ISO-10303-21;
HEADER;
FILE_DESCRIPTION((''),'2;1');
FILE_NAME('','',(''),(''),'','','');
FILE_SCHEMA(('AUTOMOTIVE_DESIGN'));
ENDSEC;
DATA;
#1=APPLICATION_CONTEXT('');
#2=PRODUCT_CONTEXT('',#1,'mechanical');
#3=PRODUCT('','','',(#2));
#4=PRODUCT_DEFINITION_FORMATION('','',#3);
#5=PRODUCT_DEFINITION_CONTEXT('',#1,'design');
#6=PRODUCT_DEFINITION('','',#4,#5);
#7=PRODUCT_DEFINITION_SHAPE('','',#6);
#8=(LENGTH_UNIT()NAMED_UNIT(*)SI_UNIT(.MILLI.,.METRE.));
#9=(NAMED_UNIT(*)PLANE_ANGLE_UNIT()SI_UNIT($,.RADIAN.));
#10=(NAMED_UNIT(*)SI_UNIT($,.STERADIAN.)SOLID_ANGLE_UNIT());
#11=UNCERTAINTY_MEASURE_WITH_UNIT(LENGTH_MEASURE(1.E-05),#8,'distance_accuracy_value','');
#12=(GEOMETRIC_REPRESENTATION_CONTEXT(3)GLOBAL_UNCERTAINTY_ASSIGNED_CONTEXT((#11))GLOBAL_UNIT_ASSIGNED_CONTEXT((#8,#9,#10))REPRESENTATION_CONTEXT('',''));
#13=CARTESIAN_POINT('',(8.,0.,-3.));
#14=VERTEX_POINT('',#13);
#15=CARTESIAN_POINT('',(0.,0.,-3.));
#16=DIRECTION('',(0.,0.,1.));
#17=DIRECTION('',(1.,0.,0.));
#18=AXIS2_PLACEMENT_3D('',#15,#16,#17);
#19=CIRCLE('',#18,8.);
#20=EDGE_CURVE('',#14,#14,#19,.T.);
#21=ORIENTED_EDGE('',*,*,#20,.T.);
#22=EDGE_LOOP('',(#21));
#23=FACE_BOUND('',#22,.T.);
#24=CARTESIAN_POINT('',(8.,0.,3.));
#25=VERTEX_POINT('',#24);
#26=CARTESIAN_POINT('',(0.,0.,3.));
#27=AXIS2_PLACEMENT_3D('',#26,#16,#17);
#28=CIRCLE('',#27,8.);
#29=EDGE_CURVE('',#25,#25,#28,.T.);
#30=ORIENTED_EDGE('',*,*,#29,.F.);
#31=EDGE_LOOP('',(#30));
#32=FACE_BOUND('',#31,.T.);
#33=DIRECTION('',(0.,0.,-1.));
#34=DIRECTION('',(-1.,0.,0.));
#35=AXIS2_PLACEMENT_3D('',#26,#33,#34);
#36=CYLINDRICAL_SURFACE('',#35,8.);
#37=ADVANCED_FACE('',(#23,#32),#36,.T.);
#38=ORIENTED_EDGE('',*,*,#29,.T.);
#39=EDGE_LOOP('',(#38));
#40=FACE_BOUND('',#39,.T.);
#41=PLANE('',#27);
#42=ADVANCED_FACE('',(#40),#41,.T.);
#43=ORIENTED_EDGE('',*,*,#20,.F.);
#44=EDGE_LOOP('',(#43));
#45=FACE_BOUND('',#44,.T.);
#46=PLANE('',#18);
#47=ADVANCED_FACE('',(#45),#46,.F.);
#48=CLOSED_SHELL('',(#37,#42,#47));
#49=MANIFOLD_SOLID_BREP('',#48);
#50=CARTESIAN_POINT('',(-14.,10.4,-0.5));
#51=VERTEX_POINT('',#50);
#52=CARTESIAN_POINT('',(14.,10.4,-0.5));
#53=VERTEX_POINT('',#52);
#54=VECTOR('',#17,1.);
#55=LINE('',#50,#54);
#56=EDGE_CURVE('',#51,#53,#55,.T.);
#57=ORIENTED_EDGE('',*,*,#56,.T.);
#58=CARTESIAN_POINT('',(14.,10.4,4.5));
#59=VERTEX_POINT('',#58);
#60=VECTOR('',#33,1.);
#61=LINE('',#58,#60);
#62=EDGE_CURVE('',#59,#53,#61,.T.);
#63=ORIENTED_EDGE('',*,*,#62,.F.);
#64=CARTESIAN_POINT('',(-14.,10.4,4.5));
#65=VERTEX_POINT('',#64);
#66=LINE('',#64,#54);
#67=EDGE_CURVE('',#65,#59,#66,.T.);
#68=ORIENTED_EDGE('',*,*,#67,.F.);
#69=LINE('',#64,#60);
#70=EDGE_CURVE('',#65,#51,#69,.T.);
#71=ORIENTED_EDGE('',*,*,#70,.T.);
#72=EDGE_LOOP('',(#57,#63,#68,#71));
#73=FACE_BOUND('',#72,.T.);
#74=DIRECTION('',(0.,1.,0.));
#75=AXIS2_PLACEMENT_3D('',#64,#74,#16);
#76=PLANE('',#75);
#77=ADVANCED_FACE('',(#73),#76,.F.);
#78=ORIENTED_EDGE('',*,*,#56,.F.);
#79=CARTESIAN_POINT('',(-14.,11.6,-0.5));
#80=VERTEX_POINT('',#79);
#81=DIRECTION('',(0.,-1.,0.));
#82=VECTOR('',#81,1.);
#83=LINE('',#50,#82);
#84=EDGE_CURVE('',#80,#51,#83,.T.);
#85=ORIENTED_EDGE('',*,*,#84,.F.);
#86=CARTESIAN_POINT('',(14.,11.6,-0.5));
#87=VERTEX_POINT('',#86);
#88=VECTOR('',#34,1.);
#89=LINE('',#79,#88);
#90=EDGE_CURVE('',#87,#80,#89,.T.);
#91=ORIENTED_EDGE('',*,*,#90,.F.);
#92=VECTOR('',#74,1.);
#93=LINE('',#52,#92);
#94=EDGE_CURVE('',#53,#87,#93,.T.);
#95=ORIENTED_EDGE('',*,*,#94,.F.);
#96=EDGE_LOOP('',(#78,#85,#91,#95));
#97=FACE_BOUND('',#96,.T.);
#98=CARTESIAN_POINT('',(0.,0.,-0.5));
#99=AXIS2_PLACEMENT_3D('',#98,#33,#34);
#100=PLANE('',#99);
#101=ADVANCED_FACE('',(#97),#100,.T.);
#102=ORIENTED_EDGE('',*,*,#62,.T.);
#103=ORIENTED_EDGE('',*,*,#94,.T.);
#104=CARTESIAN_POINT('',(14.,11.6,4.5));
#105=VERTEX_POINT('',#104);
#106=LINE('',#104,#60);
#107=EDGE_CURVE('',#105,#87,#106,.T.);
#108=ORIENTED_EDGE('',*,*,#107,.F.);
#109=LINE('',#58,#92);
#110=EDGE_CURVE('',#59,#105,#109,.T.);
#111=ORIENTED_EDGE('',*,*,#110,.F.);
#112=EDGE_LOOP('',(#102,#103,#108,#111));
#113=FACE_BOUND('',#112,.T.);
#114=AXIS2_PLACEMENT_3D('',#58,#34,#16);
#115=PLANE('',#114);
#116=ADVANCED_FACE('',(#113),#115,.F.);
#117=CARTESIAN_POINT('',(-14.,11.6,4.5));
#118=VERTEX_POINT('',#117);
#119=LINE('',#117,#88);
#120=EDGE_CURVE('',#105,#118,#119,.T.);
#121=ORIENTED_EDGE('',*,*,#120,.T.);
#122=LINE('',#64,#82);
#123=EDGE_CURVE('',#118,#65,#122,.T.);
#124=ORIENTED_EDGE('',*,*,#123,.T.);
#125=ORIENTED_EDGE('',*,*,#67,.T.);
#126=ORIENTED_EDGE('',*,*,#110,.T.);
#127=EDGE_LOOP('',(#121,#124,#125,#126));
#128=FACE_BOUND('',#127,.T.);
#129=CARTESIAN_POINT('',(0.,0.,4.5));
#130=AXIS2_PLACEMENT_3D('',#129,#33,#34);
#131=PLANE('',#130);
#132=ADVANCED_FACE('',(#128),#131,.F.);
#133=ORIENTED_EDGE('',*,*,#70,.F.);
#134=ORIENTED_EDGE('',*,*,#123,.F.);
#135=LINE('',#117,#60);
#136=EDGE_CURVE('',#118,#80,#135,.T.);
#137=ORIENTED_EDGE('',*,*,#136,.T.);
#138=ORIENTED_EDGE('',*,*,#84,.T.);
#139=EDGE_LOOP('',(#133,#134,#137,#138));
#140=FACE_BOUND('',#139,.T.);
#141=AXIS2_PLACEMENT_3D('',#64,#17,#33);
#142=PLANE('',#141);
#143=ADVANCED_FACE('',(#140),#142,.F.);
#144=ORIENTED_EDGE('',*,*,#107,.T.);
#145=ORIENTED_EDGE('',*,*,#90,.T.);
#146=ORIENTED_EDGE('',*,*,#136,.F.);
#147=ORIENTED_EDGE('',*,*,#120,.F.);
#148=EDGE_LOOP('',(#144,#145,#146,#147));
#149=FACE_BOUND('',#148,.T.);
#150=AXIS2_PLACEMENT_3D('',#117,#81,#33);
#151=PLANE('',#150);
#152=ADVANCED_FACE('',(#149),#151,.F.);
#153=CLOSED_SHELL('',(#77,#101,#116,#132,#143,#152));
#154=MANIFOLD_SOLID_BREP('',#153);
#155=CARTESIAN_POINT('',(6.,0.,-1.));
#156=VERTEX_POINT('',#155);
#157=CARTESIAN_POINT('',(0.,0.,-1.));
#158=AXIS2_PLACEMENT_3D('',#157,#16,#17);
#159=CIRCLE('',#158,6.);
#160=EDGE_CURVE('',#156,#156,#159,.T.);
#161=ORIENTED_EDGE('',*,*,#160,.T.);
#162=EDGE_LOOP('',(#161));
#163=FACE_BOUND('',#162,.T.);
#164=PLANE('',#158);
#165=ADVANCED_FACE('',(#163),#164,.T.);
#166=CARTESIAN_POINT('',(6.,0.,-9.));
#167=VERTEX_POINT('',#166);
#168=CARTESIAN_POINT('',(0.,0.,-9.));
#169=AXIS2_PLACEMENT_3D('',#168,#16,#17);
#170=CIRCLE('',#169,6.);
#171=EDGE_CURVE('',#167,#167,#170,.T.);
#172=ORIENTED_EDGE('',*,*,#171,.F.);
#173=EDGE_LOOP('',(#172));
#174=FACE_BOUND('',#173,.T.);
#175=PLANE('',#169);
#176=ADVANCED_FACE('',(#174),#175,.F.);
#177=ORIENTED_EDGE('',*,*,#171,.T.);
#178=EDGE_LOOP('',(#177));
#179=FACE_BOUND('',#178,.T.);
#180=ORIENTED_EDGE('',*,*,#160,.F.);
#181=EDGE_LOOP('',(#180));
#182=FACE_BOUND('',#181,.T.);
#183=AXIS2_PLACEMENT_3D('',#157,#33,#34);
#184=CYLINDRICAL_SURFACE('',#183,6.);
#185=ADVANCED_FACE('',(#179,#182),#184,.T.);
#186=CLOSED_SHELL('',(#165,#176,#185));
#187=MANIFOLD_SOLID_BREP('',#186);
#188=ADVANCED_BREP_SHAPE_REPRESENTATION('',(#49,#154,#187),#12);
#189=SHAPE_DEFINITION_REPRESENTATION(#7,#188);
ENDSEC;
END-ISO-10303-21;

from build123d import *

# Parameters (mm, degrees)
TOP_START                                  = -3
SKETCH_1_R                                 = 8
TOP_WAKE_BUTTON_CAP_DIA_16_MM_DEPTH        = 6
BUTTON_START                               = -9
SKETCH_2_R                                 = 6
BUTTON_THREADED_BODY_HOLE_MARKER_DIA_DEPTH = 8
BUTTON_START_2                             = -0.5
SKETCH_3_W                                 = 28
SKETCH_3_H                                 = 1.2
BUTTON_LABEL_PLATE_WAKE_BTN_DEPTH          = 5


with BuildPart() as part:
    # 草图1 → top wake button cap - dia 16 mm (new body)
    with BuildSketch(Plane.XY.offset(TOP_START)):
        Circle(SKETCH_1_R)
    extrude(amount=TOP_WAKE_BUTTON_CAP_DIA_16_MM_DEPTH)


with BuildPart() as body_2:
    # 草图2 → button threaded body / hole marker - dia 12 mm (new body)
    with BuildSketch(Plane.XY.offset(BUTTON_START)):
        Circle(SKETCH_2_R)
    extrude(amount=BUTTON_THREADED_BODY_HOLE_MARKER_DIA_DEPTH)


with BuildPart() as body_3:
    # 草图3 → button label plate - WAKE BTN (new body)
    with BuildSketch(Plane.XY.offset(BUTTON_START_2)):
        with Locations((0, 11)):
            Rectangle(SKETCH_3_W, SKETCH_3_H)
    extrude(amount=BUTTON_LABEL_PLATE_WAKE_BTN_DEPTH)


solid = Compound([part.part, body_2.part, body_3.part])
